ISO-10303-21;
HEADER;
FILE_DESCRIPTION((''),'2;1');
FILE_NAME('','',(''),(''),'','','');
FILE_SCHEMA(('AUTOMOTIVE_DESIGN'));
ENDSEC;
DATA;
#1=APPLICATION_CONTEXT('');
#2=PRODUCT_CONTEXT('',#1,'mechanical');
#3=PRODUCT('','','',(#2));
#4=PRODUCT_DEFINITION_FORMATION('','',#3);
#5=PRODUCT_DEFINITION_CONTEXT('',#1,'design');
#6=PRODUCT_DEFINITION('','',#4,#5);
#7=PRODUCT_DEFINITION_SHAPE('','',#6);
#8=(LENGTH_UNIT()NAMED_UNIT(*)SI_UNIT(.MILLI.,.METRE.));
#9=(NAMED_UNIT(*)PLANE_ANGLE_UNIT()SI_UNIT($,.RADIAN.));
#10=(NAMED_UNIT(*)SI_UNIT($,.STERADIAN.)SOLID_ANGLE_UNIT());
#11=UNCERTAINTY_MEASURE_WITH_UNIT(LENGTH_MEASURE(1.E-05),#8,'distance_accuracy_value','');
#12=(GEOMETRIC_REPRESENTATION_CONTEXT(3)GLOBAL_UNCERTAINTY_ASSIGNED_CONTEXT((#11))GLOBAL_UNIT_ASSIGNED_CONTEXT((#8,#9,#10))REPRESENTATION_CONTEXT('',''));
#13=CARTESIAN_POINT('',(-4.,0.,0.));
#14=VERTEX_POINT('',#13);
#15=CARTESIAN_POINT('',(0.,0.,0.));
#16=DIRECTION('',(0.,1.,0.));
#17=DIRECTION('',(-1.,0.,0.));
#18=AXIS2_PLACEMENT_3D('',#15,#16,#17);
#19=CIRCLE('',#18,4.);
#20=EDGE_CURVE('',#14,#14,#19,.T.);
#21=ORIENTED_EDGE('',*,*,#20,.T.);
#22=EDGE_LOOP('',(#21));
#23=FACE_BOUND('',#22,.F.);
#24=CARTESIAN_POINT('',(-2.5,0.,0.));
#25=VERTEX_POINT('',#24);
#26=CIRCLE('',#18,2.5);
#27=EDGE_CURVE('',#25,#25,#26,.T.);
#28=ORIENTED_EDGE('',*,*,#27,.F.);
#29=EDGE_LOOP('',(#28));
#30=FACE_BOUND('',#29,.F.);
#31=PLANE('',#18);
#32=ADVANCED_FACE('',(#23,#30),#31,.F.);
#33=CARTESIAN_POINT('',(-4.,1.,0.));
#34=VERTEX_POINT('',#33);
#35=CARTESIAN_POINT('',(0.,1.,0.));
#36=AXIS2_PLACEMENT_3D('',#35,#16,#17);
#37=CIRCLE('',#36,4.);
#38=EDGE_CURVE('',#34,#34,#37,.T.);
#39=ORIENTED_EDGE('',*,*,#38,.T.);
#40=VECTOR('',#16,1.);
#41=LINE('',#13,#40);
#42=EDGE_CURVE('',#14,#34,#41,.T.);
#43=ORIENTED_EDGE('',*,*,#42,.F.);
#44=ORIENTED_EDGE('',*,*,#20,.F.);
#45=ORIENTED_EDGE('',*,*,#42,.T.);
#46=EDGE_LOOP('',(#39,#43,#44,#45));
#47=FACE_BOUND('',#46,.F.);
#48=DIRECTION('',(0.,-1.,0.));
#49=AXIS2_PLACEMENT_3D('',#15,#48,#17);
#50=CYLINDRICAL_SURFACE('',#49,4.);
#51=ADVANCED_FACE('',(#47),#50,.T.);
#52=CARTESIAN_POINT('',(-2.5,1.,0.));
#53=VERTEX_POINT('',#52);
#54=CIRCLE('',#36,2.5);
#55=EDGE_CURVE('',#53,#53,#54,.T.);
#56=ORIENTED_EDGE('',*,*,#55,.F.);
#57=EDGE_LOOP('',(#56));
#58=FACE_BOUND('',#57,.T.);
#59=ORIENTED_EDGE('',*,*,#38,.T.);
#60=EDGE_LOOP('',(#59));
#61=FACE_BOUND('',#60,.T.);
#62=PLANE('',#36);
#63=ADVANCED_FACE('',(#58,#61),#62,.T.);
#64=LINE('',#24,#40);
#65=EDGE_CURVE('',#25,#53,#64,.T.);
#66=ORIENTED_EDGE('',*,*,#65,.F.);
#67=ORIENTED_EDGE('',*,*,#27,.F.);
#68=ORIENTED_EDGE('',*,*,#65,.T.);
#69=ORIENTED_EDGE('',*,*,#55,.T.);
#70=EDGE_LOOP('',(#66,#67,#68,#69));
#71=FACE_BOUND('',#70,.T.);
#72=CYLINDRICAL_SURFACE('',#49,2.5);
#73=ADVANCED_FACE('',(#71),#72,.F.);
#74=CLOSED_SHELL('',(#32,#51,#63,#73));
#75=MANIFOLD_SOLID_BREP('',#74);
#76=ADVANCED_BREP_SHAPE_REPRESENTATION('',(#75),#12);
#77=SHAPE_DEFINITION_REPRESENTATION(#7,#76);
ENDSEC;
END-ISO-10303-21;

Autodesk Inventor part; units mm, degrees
ref_plane "YZ Plane" through (0, 0, 0) normal (1, 0, 0) x (0, 1, 0)
ref_plane "XZ Plane" through (0, 0, 0) normal (0, 1, 0) x (-1, 0, 0)
ref_plane "XY Plane" through (0, 0, 0) normal (0, 0, 1) x (1, 0, 0)
sketch "Boceto1" plane through (0, 0, 0) normal (0, 1, 0) x (-1, 0, 0)
  circle A0 centre (0, 0) radius 2.5
  circle A1 centre (0, 0) radius 4
  dimension "d0" = 8
  dimension "d1" = 5
extrude "Extrusión1" add sketch "Boceto1" along normal blind 1
properties part number "MiniWasher"
